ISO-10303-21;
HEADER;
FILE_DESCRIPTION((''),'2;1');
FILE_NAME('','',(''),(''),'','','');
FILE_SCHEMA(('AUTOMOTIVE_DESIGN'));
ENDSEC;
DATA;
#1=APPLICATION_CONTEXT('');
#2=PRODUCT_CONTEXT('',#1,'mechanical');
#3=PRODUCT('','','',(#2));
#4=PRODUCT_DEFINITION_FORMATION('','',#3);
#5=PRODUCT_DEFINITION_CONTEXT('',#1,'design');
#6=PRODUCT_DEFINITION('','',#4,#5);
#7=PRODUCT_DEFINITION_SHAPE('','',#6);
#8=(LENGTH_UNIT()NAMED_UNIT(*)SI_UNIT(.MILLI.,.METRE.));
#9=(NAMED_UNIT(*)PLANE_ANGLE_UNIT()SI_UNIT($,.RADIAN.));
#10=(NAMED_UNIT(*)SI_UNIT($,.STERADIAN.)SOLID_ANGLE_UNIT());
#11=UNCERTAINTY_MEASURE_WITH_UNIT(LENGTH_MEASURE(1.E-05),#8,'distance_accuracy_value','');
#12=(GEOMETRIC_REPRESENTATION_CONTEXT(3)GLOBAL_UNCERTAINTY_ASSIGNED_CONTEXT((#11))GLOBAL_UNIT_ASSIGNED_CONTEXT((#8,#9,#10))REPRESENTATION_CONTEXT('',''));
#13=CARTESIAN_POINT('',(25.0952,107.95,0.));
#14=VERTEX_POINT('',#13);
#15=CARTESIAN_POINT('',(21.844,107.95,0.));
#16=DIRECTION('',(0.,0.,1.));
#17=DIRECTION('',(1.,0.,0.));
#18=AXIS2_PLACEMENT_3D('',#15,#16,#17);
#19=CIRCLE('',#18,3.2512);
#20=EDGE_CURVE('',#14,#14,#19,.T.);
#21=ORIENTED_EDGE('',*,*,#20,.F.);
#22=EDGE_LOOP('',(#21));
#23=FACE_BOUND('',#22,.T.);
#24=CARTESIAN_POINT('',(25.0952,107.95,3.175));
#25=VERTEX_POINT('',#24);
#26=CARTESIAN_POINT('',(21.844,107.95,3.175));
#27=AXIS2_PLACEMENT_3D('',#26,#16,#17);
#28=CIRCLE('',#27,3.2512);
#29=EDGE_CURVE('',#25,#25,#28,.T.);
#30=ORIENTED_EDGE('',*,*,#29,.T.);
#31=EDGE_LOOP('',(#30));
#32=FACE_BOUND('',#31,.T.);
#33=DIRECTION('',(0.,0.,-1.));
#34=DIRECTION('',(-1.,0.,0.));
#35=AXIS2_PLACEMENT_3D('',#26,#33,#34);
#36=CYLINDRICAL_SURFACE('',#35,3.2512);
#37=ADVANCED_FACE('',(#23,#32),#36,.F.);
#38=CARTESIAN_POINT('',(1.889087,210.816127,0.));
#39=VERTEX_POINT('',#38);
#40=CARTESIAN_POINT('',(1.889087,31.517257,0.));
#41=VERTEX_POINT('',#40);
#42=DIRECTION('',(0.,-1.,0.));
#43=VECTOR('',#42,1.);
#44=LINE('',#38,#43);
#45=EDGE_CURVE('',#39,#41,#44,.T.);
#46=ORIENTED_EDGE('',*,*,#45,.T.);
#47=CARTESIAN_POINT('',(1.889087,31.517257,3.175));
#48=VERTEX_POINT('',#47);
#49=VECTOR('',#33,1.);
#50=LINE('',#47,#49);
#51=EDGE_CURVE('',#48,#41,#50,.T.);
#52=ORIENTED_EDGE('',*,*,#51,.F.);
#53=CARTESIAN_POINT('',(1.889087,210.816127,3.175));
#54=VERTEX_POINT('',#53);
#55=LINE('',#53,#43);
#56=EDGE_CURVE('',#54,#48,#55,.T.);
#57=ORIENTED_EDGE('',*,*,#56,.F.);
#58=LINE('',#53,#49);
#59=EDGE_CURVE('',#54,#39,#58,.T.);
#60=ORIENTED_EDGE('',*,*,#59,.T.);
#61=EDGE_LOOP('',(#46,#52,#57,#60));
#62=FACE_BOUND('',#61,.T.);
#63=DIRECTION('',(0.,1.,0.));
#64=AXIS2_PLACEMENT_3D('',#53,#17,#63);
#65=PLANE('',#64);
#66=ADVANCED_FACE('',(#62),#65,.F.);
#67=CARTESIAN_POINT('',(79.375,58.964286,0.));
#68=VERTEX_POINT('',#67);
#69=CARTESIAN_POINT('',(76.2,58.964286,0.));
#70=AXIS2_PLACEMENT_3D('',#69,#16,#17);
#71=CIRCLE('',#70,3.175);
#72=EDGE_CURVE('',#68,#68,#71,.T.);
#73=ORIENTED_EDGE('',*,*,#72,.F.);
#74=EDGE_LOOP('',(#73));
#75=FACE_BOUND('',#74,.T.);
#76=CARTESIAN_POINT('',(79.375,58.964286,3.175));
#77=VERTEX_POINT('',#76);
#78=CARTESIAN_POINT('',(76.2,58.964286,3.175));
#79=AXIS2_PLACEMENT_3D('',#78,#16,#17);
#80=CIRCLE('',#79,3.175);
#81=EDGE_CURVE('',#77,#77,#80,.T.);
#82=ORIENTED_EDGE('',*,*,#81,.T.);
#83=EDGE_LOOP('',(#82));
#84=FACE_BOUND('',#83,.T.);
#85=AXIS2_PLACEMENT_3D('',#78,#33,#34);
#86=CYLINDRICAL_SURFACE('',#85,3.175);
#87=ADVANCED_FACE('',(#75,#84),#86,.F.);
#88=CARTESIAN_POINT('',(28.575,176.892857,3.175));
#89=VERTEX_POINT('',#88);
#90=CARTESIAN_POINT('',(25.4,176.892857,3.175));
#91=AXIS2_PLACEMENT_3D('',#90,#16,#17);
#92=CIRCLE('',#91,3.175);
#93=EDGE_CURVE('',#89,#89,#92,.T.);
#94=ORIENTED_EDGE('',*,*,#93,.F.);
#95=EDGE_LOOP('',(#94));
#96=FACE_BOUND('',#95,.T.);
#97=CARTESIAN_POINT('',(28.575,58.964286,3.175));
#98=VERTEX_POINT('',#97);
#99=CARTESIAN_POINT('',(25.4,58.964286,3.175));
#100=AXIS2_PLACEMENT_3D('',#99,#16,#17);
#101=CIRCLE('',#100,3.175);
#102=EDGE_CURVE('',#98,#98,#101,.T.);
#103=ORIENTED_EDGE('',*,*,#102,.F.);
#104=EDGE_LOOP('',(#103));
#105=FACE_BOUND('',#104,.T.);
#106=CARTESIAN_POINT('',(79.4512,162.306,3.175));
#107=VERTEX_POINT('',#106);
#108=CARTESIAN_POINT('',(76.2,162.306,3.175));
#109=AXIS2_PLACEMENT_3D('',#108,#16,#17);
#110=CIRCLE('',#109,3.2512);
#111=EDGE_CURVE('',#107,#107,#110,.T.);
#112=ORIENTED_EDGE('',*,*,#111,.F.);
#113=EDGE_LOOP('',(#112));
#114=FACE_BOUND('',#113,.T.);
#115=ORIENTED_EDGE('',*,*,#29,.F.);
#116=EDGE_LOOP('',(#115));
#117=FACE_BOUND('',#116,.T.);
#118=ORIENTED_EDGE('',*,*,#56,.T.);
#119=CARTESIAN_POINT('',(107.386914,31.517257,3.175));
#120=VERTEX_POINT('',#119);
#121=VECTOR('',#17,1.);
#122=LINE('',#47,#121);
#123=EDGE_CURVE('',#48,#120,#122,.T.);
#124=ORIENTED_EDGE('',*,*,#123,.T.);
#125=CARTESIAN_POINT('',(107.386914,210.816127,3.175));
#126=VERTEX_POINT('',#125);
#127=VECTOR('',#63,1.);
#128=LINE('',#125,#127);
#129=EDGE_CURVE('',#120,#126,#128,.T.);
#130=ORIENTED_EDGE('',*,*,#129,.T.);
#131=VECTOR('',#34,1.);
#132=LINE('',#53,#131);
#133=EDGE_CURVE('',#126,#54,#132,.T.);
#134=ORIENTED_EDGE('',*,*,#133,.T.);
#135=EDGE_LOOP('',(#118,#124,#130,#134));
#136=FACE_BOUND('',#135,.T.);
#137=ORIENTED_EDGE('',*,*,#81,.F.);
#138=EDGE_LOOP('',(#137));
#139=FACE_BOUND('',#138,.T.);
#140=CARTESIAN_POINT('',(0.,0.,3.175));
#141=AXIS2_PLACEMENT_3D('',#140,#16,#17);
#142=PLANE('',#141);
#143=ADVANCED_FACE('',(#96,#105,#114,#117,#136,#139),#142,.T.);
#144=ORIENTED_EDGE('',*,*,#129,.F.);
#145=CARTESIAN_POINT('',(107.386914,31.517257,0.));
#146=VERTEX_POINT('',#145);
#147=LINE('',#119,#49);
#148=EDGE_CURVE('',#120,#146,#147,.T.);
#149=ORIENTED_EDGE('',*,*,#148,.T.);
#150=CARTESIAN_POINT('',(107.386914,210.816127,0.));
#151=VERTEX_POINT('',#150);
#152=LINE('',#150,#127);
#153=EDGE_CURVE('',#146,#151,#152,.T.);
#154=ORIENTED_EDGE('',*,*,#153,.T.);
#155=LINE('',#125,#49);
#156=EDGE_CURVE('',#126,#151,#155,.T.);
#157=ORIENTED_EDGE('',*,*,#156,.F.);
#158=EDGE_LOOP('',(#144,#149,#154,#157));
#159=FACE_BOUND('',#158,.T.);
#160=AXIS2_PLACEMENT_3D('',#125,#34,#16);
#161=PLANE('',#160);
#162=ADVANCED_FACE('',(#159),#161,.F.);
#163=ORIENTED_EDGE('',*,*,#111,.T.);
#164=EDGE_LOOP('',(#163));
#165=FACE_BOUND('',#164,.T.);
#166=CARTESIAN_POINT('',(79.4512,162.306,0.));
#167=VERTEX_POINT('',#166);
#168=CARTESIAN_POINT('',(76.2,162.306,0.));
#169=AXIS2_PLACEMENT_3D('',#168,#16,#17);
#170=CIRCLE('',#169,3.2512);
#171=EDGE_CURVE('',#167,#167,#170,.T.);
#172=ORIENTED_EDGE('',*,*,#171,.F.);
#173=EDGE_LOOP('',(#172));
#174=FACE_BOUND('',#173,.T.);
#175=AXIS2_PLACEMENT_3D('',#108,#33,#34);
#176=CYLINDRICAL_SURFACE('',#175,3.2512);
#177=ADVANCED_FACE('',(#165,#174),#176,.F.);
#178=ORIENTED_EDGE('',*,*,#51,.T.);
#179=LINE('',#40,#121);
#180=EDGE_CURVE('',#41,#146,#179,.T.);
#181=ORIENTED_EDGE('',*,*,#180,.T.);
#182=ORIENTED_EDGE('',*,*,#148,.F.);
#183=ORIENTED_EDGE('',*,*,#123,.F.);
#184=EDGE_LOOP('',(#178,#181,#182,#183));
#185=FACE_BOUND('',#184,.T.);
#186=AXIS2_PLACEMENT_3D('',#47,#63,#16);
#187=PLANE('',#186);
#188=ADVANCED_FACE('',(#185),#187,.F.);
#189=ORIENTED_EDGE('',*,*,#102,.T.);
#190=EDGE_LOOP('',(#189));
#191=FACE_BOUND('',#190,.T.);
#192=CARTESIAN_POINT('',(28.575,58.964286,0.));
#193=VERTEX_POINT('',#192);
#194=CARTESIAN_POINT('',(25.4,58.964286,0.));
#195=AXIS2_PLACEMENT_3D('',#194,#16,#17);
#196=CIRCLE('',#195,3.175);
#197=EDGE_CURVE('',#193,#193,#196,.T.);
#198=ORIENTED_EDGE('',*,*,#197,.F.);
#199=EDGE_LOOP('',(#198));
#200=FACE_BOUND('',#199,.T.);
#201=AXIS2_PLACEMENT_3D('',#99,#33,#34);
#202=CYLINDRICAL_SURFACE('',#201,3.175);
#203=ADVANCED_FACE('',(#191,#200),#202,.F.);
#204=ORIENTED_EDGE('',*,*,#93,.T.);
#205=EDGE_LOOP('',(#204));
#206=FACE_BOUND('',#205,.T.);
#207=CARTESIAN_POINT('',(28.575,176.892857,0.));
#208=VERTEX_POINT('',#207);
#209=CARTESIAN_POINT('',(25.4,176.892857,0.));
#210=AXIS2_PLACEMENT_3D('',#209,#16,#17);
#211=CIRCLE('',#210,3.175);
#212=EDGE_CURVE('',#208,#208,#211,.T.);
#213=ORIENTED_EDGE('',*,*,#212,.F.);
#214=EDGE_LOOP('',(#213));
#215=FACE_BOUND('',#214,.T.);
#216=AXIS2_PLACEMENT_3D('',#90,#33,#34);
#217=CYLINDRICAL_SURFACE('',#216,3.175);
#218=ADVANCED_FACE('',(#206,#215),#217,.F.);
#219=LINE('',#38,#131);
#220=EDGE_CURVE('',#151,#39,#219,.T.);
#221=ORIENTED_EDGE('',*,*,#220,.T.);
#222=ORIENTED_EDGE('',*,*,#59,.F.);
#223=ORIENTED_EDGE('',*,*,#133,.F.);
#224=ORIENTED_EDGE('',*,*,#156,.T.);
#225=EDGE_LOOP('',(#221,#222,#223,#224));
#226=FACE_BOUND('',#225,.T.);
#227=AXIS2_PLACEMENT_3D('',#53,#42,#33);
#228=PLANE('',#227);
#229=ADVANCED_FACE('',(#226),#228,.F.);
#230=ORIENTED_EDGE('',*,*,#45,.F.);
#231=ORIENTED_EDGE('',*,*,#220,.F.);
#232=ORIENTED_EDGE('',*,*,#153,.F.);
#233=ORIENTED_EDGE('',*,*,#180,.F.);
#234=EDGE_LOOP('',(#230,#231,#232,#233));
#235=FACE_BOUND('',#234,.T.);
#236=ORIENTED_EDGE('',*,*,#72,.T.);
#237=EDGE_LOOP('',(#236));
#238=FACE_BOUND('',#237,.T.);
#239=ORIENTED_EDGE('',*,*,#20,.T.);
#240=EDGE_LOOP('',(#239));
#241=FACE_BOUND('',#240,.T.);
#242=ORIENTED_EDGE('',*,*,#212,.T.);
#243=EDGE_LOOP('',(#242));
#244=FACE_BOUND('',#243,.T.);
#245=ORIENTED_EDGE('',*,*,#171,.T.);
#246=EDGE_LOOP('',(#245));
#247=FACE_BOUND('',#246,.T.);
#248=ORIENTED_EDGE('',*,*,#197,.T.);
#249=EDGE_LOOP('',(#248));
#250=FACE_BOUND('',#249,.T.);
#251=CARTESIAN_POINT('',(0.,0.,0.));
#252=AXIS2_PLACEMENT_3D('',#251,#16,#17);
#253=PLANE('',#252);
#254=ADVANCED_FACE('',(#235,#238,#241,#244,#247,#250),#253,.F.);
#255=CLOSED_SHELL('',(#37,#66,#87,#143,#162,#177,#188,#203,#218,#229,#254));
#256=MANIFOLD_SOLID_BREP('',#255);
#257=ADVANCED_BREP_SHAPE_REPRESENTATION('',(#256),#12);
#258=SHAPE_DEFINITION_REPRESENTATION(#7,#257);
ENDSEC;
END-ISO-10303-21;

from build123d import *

# Parameters (mm, degrees)
SKETCH1_W           = 105.497827183
SKETCH1_H           = 179.29887024
SKETCH1_R           = 3.175
SKETCH1_R_2         = 3.2512
BOSS_EXTRUDE1_DEPTH = 3.175


with BuildPart() as part:
    # Sketch1 → Boss-Extrude1 (new body)
    with BuildSketch(Plane.XY):
        with Locations((54.6380005, 121.166691813)):
            Rectangle(SKETCH1_W, SKETCH1_H)
        with Locations((25.4, 58.964285714)):
            Circle(SKETCH1_R, mode=Mode.SUBTRACT)
        with Locations((76.2, 58.964285714)):
            Circle(SKETCH1_R, mode=Mode.SUBTRACT)
        with Locations((25.4, 176.892857143)):
            Circle(SKETCH1_R, mode=Mode.SUBTRACT)
        with Locations((76.2, 162.306)):
            Circle(SKETCH1_R_2, mode=Mode.SUBTRACT)
        with Locations((21.844, 107.95)):
            Circle(SKETCH1_R_2, mode=Mode.SUBTRACT)
    extrude(amount=BOSS_EXTRUDE1_DEPTH)


solid = part.part
